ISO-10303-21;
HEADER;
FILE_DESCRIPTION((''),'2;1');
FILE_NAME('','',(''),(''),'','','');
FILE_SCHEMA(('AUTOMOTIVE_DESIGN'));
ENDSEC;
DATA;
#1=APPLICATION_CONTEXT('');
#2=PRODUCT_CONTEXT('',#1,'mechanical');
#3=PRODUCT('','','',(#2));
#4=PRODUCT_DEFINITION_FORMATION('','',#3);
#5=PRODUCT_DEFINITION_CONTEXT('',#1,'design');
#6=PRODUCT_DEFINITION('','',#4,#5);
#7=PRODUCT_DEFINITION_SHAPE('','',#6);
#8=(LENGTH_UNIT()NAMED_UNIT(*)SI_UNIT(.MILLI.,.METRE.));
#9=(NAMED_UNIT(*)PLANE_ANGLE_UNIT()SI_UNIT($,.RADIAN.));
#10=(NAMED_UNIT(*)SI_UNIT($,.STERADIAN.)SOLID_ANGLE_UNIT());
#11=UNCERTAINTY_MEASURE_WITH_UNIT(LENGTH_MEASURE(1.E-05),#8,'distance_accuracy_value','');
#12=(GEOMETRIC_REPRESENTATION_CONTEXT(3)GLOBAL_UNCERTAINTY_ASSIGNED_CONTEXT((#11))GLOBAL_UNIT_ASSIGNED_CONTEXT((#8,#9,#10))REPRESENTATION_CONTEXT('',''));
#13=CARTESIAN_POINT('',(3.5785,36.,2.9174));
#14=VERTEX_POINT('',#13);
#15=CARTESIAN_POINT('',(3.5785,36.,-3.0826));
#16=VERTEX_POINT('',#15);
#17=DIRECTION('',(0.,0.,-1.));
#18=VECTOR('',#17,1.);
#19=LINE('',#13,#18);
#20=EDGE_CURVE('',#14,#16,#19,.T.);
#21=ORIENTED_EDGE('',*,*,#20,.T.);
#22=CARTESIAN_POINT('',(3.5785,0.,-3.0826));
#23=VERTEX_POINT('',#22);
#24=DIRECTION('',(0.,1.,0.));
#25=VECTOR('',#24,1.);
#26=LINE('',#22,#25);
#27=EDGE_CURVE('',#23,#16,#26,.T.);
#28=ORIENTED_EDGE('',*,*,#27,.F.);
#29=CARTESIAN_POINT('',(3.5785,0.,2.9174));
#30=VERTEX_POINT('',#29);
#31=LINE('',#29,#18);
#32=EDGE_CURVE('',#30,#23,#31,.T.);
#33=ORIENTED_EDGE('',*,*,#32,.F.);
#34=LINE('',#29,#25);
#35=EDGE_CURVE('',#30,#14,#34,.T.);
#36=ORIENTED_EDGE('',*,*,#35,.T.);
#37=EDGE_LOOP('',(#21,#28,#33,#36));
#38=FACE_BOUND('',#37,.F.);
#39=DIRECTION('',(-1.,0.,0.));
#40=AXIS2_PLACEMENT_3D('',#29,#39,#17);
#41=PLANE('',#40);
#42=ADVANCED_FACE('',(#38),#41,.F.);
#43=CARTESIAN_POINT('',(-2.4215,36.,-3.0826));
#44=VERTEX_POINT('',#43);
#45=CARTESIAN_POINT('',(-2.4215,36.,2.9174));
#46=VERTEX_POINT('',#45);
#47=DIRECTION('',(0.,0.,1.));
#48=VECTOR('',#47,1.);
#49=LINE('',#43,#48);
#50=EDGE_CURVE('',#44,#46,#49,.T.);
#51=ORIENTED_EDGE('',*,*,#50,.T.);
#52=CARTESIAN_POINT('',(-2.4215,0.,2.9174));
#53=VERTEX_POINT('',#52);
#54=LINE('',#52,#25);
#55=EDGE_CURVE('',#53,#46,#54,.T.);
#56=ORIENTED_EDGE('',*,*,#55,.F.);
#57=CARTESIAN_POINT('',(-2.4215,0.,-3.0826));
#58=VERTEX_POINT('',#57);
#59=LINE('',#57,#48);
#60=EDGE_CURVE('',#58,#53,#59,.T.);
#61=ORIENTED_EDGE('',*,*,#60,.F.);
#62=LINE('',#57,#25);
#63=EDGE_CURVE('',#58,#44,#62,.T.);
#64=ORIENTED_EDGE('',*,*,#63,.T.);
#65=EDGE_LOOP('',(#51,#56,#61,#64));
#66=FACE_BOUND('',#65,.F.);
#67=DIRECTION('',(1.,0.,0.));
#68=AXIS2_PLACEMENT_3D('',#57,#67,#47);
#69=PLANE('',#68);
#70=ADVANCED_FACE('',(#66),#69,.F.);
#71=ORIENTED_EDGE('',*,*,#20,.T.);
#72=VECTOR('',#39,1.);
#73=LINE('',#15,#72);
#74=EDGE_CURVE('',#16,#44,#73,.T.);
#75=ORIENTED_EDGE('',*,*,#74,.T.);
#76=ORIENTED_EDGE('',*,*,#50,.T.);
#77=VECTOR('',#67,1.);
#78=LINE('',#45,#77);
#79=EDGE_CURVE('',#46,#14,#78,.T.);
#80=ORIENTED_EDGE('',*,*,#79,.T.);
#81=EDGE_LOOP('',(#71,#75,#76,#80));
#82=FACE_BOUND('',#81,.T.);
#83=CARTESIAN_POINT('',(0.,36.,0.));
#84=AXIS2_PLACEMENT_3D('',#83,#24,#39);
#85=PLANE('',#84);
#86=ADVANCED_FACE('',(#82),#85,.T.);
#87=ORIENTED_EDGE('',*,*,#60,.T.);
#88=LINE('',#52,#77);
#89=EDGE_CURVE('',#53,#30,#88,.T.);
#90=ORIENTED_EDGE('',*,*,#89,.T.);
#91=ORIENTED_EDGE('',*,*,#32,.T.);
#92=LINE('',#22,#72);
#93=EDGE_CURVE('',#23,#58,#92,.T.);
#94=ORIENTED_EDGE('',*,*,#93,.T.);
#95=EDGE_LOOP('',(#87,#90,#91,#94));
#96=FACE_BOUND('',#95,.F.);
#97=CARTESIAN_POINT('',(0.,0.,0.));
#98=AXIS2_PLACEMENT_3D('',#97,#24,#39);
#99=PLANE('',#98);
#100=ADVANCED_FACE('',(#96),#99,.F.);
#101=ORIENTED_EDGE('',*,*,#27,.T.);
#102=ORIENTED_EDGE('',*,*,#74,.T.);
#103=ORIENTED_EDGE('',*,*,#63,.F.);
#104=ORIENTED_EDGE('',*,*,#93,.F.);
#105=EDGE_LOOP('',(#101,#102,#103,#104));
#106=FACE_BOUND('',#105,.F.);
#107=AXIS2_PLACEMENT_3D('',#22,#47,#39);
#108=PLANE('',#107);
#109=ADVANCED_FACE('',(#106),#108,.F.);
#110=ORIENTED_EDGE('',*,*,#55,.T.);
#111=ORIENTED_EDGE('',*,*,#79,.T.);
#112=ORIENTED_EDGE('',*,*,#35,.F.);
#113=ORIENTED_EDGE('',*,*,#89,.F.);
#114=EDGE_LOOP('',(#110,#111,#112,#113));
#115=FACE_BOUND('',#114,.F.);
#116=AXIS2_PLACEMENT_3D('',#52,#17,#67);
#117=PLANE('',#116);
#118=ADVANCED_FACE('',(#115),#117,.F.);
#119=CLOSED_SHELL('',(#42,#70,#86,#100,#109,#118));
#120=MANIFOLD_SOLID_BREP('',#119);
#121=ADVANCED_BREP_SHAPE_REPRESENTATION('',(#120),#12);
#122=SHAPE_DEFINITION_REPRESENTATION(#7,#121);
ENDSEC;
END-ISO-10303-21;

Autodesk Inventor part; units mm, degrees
ref_plane "YZ Plane" through (0, 0, 0) normal (1, 0, 0) x (0, 1, 0)
ref_plane "XZ Plane" through (0, 0, 0) normal (0, 1, 0) x (-1, 0, 0)
ref_plane "XY Plane" through (0, 0, 0) normal (0, 0, 1) x (1, 0, 0)
sketch "Sketch1" plane through (0, 0, 0) normal (0, 1, 0) x (-1, 0, 0)
  line L0 (2.4215, 2.9174) -> (-3.5785, 2.9174)
  line L1 (-3.5785, 2.9174) -> (-3.5785, -3.0826)
  line L2 (-3.5785, -3.0826) -> (2.4215, -3.0826)
  line L3 (2.4215, -3.0826) -> (2.4215, 2.9174)
  point P0 (0, 0)
  dimension "d0" = 6
  dimension "d1" = 6
extrude "Extrusion1" add sketch "Sketch1" along normal blind 36
properties part number "stand1"
